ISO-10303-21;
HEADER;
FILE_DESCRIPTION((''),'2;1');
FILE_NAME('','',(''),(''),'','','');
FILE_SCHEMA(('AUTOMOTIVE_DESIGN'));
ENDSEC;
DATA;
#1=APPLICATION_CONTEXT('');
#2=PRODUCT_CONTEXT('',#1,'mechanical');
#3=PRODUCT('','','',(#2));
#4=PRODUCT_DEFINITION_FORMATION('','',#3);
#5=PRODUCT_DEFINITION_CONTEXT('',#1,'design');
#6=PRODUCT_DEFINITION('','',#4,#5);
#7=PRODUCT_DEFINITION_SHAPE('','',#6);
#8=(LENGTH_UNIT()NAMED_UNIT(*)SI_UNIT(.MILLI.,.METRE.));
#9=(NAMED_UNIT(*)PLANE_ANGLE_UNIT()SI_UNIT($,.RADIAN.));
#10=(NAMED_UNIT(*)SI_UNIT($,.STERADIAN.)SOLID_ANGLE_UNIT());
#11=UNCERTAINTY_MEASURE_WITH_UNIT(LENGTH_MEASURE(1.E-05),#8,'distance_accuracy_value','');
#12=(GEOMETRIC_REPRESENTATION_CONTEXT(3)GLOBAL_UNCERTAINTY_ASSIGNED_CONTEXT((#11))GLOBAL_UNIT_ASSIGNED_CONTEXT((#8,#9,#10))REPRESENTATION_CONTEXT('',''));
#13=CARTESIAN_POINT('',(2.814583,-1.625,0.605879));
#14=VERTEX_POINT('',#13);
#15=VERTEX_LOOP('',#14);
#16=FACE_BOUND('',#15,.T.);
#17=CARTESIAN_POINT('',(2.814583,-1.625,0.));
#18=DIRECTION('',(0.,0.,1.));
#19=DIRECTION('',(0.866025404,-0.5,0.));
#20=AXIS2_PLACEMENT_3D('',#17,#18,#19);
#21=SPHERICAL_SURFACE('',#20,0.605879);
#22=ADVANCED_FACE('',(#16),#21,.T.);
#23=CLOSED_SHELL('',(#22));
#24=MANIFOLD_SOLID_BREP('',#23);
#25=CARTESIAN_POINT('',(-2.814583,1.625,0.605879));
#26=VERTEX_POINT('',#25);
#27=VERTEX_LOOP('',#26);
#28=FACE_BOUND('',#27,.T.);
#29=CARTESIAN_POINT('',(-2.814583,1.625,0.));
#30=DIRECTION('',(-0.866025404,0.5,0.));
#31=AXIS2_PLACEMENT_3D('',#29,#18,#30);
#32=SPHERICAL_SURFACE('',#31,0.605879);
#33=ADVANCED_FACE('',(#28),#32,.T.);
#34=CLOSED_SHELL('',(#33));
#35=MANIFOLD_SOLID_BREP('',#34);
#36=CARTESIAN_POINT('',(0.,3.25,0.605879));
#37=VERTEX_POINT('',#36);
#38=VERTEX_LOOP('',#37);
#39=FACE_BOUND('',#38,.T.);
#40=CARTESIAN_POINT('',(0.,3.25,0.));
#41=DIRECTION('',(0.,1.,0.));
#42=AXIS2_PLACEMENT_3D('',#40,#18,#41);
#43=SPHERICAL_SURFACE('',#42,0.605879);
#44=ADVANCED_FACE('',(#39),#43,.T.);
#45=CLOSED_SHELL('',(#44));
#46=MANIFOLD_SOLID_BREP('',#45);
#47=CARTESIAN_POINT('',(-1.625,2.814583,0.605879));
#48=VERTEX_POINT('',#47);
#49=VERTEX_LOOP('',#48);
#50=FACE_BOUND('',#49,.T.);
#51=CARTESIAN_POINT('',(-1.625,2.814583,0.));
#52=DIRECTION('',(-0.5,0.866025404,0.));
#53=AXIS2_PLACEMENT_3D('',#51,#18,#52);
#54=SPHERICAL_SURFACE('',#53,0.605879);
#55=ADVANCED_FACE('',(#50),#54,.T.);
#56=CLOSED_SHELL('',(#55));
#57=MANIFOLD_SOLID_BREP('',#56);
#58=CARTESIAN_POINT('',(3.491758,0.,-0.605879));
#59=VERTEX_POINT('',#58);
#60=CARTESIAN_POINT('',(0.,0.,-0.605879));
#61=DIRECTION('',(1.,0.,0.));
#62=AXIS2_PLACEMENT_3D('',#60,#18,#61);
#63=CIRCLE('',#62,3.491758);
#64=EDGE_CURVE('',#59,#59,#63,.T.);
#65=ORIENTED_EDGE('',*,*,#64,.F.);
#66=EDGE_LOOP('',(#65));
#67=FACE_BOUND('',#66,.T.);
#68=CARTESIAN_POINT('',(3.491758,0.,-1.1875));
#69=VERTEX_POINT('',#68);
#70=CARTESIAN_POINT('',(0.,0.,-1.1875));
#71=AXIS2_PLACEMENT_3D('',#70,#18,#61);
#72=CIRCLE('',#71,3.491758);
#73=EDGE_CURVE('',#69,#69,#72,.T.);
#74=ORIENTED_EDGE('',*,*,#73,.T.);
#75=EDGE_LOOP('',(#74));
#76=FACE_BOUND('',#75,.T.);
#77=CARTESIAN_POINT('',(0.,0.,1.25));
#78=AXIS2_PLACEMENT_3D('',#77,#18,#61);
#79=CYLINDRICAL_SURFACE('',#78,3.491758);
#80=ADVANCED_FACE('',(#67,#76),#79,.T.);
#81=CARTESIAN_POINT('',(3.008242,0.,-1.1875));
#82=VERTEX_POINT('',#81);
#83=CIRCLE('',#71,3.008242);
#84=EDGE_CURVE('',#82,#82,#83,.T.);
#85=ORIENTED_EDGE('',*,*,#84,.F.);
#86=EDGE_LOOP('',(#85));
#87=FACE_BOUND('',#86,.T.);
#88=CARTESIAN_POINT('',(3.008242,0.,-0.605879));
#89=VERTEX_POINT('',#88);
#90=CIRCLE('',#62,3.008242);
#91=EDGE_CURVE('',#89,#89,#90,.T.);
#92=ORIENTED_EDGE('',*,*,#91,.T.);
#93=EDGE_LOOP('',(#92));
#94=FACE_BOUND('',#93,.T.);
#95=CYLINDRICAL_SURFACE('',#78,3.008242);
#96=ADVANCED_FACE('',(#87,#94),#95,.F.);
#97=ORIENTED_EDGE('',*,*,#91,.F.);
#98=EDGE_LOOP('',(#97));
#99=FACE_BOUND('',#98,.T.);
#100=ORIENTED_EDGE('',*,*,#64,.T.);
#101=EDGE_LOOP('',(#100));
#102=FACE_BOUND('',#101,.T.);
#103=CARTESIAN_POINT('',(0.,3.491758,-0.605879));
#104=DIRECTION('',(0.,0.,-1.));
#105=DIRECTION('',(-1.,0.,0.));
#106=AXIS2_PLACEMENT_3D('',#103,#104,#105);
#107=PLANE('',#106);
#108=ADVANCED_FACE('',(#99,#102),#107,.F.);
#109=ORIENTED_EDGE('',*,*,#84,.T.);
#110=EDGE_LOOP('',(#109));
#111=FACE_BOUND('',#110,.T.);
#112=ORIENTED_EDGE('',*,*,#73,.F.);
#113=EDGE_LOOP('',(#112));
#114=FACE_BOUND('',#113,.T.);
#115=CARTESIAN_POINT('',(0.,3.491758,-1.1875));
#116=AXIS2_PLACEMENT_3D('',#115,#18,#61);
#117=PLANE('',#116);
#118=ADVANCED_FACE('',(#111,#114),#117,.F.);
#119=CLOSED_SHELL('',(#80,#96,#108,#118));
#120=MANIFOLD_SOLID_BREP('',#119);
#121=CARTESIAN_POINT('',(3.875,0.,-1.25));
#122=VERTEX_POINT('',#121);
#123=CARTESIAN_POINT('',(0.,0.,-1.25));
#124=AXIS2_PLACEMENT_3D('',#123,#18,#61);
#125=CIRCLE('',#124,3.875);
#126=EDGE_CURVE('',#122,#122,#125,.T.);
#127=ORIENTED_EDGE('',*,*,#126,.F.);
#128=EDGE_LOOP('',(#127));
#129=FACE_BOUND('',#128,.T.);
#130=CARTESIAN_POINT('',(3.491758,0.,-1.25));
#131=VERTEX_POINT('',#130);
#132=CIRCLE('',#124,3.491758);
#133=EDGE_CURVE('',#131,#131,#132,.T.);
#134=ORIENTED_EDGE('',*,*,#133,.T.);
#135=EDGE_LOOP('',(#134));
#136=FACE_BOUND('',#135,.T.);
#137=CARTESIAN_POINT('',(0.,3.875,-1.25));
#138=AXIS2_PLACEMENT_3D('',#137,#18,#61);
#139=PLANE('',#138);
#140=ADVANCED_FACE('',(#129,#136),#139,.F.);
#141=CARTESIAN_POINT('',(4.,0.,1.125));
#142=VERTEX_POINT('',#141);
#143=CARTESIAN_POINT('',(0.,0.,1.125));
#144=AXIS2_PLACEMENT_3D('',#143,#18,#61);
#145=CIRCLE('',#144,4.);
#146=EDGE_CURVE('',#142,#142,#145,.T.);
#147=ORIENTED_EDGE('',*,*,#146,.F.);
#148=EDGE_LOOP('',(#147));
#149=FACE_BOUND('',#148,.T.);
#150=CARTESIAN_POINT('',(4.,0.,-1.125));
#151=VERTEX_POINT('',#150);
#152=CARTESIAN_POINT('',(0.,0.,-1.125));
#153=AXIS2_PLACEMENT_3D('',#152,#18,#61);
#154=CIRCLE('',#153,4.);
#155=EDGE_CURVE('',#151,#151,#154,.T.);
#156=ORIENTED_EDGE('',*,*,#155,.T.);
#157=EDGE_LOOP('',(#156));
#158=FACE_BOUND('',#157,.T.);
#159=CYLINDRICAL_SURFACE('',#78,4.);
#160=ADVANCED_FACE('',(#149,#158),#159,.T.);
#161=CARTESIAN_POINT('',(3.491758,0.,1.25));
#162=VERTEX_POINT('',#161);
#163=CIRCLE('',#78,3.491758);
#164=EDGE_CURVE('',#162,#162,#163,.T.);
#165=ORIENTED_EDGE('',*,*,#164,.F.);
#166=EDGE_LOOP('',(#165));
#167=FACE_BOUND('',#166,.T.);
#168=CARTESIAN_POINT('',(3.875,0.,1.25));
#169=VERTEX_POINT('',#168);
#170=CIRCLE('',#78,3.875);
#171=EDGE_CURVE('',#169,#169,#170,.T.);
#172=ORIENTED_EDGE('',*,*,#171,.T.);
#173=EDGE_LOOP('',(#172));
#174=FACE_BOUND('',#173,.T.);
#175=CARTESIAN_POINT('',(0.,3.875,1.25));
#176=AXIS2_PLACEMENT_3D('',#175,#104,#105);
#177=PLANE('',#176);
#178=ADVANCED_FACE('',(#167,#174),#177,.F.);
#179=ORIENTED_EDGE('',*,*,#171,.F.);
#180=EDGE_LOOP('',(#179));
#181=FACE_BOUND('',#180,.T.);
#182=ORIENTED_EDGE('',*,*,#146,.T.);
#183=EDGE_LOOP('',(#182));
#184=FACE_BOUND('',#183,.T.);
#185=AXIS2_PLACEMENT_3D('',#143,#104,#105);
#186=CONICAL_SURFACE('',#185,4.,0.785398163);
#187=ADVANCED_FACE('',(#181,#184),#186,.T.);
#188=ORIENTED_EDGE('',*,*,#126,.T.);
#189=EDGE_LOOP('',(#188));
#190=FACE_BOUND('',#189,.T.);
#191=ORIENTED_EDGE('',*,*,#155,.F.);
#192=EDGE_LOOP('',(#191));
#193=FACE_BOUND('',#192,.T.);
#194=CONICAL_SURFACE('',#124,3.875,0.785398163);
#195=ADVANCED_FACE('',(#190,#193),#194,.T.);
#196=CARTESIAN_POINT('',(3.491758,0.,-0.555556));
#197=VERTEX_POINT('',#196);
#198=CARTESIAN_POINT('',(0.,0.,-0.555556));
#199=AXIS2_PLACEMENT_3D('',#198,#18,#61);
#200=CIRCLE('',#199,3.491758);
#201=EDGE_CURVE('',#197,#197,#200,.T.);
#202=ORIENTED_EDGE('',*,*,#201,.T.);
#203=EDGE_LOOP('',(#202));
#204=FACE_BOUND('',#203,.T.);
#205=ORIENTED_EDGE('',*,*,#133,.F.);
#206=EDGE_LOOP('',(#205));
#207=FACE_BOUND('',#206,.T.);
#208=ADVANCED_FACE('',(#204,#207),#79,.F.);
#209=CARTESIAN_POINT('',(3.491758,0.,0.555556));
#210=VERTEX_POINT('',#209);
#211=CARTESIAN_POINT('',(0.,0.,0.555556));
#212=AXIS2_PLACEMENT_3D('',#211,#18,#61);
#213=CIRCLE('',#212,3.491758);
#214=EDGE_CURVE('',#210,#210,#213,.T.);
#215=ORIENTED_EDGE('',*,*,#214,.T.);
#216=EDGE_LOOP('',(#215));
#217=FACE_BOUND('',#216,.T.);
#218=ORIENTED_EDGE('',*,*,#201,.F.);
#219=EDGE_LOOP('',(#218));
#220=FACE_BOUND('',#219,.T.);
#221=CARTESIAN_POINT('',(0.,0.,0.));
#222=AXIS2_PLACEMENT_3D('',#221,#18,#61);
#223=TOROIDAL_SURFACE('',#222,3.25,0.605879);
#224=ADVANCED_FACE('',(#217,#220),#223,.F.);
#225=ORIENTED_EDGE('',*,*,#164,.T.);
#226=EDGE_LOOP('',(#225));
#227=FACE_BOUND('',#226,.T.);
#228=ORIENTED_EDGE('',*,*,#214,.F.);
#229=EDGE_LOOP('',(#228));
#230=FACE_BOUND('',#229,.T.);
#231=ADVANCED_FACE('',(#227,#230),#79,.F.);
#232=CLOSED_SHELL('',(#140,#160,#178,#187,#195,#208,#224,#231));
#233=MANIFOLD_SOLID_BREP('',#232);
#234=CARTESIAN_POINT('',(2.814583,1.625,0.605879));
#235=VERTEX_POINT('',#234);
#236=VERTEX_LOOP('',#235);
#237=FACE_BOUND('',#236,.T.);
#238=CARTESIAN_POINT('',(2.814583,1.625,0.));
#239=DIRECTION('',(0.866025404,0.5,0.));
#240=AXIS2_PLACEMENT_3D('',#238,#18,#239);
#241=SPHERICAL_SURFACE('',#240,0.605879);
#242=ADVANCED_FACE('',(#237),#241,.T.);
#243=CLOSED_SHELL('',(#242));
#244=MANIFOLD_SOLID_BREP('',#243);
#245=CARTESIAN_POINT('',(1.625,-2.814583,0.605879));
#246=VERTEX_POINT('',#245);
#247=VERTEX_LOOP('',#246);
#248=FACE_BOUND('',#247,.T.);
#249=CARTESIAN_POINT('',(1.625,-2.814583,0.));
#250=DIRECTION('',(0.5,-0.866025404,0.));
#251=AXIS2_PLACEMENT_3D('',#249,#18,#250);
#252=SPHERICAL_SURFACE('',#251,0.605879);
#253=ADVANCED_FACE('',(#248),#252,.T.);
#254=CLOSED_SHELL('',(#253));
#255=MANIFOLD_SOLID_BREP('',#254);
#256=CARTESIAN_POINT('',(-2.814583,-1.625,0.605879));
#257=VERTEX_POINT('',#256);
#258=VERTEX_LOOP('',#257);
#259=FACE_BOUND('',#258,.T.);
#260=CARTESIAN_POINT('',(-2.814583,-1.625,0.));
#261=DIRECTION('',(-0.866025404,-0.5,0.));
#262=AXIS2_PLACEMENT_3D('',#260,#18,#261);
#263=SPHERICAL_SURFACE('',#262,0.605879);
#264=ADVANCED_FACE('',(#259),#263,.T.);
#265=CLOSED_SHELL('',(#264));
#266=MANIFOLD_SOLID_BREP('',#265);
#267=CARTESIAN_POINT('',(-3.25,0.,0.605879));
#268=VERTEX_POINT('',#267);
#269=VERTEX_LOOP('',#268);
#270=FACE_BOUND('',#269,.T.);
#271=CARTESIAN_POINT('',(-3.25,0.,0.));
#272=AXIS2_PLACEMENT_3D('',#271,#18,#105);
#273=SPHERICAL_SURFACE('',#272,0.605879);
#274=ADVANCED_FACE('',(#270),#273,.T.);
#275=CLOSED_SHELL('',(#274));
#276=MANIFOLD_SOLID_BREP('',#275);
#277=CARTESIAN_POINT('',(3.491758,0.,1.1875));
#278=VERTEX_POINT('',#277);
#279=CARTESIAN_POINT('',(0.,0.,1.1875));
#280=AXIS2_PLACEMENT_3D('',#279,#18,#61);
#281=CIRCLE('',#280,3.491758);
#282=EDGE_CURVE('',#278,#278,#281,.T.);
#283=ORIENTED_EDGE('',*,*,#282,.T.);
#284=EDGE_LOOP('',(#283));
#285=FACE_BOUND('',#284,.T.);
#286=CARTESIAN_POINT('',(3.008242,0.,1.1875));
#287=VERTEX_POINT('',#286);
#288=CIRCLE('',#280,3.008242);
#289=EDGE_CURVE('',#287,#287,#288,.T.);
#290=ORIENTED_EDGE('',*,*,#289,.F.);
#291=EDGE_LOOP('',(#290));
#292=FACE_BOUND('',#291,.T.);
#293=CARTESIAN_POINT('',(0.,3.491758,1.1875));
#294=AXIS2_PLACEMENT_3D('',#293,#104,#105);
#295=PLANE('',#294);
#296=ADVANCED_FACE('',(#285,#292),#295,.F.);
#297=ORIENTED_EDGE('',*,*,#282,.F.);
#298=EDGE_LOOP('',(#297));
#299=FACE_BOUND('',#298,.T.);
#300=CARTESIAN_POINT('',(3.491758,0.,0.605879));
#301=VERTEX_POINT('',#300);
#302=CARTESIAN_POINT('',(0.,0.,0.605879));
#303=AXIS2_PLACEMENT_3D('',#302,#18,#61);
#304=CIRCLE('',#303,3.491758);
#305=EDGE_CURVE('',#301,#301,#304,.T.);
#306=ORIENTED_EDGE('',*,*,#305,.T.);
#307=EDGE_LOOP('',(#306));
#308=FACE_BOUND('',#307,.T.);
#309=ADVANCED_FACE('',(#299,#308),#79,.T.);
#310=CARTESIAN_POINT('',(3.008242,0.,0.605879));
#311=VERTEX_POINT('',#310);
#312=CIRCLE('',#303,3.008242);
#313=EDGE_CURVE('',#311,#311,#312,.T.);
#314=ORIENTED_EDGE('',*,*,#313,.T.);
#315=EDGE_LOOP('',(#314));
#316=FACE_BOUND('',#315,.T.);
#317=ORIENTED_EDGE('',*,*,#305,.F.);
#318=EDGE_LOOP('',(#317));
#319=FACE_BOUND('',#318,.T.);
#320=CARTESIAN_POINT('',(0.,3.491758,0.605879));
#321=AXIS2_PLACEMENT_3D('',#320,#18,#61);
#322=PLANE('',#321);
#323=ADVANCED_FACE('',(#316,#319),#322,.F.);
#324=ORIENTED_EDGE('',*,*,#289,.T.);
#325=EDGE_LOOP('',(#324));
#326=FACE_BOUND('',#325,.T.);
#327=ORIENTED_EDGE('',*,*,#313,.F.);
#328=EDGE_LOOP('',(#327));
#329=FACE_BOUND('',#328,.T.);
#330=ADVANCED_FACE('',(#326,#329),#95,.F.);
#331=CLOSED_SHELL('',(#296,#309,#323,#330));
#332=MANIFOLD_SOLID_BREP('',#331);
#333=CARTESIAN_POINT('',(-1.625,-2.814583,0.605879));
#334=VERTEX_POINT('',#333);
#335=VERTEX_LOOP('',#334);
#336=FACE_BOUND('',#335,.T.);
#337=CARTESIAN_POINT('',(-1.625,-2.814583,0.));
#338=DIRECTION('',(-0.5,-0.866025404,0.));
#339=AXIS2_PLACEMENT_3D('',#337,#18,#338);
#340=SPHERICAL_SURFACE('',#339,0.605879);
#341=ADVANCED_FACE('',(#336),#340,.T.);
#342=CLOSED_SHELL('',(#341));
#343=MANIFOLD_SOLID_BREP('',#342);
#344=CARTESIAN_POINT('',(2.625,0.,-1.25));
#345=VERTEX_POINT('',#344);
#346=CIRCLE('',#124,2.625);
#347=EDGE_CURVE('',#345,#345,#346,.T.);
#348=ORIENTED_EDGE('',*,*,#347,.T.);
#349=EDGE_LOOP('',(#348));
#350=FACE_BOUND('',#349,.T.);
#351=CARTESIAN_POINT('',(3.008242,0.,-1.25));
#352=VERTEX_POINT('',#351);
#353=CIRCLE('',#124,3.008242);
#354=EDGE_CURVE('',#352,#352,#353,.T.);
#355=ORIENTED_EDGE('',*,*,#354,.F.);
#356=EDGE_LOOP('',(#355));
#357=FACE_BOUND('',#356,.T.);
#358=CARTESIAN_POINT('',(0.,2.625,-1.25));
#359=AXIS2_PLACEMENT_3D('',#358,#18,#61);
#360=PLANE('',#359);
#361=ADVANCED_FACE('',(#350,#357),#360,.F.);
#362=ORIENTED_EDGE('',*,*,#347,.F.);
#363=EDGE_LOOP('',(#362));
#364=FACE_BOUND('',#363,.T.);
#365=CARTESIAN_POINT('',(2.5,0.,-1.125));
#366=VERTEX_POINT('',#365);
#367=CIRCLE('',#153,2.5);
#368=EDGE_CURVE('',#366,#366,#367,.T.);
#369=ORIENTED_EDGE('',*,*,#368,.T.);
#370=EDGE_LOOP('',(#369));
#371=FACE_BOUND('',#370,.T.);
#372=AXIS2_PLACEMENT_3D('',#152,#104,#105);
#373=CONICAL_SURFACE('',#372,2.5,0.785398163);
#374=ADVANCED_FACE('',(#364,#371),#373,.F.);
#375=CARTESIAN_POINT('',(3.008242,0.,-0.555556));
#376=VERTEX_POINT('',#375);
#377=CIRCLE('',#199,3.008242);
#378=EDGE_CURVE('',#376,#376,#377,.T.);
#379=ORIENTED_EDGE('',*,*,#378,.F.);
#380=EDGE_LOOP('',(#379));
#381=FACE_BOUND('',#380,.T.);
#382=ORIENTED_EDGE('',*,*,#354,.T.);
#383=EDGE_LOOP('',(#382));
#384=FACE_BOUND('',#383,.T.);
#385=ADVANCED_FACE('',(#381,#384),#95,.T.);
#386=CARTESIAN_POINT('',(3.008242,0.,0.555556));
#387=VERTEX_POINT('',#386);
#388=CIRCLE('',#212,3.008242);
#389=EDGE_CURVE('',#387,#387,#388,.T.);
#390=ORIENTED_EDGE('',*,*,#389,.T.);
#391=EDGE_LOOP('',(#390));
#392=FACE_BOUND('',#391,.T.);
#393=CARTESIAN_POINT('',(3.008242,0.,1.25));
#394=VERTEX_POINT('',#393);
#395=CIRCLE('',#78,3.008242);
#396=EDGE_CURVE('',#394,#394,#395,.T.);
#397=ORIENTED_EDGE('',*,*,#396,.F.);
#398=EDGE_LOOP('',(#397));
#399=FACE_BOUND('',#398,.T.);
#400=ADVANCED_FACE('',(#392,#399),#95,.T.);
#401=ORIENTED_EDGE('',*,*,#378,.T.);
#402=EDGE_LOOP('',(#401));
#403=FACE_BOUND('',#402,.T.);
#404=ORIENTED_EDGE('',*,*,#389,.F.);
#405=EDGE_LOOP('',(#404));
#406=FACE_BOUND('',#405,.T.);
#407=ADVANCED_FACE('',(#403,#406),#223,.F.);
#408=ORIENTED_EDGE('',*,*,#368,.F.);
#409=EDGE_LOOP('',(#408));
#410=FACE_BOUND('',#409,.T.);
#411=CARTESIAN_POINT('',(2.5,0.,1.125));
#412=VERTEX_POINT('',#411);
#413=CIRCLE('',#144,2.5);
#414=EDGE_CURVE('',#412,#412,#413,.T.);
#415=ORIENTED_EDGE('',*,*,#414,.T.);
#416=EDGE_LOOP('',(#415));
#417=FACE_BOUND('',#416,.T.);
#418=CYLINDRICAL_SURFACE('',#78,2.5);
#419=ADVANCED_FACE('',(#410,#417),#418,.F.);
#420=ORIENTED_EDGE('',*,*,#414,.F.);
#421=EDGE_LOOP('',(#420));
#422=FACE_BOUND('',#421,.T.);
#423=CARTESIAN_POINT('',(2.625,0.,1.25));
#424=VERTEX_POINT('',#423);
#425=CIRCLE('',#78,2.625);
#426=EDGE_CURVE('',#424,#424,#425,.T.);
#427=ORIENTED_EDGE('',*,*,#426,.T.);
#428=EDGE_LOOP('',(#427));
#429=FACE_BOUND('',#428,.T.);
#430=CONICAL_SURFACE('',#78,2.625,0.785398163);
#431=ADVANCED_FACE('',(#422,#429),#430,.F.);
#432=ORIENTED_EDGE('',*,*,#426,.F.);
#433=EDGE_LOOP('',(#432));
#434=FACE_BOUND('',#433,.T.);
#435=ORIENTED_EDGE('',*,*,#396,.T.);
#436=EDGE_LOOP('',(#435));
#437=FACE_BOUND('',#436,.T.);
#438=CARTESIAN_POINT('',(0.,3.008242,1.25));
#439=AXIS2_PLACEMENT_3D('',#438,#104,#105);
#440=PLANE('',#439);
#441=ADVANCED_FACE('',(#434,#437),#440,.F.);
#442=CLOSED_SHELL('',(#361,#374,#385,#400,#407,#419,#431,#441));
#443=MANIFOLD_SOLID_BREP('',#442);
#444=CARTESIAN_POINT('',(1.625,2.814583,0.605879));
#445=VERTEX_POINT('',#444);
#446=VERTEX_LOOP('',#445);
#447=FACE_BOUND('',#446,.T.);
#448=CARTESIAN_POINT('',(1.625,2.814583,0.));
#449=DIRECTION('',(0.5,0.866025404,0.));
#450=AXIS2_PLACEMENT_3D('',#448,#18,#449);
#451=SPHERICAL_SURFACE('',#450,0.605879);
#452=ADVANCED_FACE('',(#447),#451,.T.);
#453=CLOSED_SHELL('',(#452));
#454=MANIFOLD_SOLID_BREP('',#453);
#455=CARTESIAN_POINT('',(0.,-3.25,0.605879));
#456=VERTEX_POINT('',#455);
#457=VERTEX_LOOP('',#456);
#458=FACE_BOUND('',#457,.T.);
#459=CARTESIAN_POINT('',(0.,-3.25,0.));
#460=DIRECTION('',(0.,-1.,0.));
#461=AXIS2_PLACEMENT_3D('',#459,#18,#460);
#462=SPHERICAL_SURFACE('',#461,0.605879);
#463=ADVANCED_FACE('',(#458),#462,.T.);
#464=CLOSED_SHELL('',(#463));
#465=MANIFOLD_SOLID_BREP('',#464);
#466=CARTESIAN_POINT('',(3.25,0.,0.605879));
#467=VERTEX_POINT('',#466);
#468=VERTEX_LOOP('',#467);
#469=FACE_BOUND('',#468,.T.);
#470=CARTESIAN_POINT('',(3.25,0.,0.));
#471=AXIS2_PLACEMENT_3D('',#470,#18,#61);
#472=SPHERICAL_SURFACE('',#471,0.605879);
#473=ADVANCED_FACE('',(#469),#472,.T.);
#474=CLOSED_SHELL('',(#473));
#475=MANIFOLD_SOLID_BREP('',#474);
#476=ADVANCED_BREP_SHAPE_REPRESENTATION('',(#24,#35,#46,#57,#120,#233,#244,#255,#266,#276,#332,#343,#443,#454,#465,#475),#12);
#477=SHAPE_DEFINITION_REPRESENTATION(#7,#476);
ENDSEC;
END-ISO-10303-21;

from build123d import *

# Parameters (mm, degrees)
CIRPATTERN1_COUNT = 12
SKETCH5_W         = 0.58162128
SKETCH5_H         = 0.483516484


with BuildPart() as part:
    # Sketch1 → Revolve1 (revolve)
    with BuildSketch(Plane(origin=(0, 0, 0), x_dir=(0, 0, -1), z_dir=(1, 0, 0))):
        with BuildLine():
            Line((1.125, 4), (-1.125, 4))
            Line((-1.125, 4), (-1.25, 3.875))
            Line((-1.25, 3.875), (-1.25, 3.491758242))
            Line((-1.25, 3.491758242), (-0.555555556, 3.491758242))
            ThreePointArc((-0.555555556, 3.491758242), (0, 3.85587872), (0.555555556, 3.491758242))
            Line((0.555555556, 3.491758242), (1.25, 3.491758242))
            Line((1.25, 3.491758242), (1.25, 3.875))
            Line((1.25, 3.875), (1.125, 4))
        make_face()
    revolve(axis=Axis((0, 0, 1.25), (0, 0, -1)))


with BuildPart() as body_2:
    # Sketch3 → Revolve3 (revolve)
    with BuildSketch(Plane(origin=(0, 0, 0), x_dir=(0, 0, -1), z_dir=(1, 0, 0))):
        with BuildLine():
            Line((-1.25, 3.008241758), (-0.555555556, 3.008241758))
            ThreePointArc((-0.555555556, 3.008241758), (0, 2.64412128), (0.555555556, 3.008241758))
            Line((0.555555556, 3.008241758), (1.25, 3.008241758))
            Line((1.25, 3.008241758), (1.25, 2.625))
            Line((1.25, 2.625), (1.125, 2.5))
            Line((1.125, 2.5), (-1.125, 2.5))
            Line((-1.125, 2.5), (-1.25, 2.625))
            Line((-1.25, 2.625), (-1.25, 3.008241758))
        make_face()
    revolve(axis=Axis((0, 0, 1.25), (0, 0, -1)))


with BuildPart() as body_3:
    # Sketch4 → Revolve4 (revolve)
    with BuildSketch(Plane(origin=(0, 0, 0), x_dir=(0, 0, -1), z_dir=(1, 0, 0))):
        with BuildLine():
            Line((-0.60587872, 3.25), (0.60587872, 3.25))
            ThreePointArc((0.60587872, 3.25), (0, 3.85587872), (-0.60587872, 3.25))
        make_face()
    revolve(axis=Axis((0, 3.25, 0.60587872), (0, 0, -1)))


with BuildPart() as cirpattern1_1:
    # CirPattern1: pattern copy
    add(body_3.part.rotate(Axis((0, 0, -1.25), (0, 0, 1)), 1 * 360 / CIRPATTERN1_COUNT))


with BuildPart() as cirpattern1_2:
    # CirPattern1: pattern copy
    add(body_3.part.rotate(Axis((0, 0, -1.25), (0, 0, 1)), 2 * 360 / CIRPATTERN1_COUNT))


with BuildPart() as cirpattern1_3:
    # CirPattern1: pattern copy
    add(body_3.part.rotate(Axis((0, 0, -1.25), (0, 0, 1)), 3 * 360 / CIRPATTERN1_COUNT))


with BuildPart() as cirpattern1_4:
    # CirPattern1: pattern copy
    add(body_3.part.rotate(Axis((0, 0, -1.25), (0, 0, 1)), 4 * 360 / CIRPATTERN1_COUNT))


with BuildPart() as cirpattern1_5:
    # CirPattern1: pattern copy
    add(body_3.part.rotate(Axis((0, 0, -1.25), (0, 0, 1)), 5 * 360 / CIRPATTERN1_COUNT))


with BuildPart() as cirpattern1_6:
    # CirPattern1: pattern copy
    add(body_3.part.rotate(Axis((0, 0, -1.25), (0, 0, 1)), 6 * 360 / CIRPATTERN1_COUNT))


with BuildPart() as cirpattern1_7:
    # CirPattern1: pattern copy
    add(body_3.part.rotate(Axis((0, 0, -1.25), (0, 0, 1)), 7 * 360 / CIRPATTERN1_COUNT))


with BuildPart() as cirpattern1_8:
    # CirPattern1: pattern copy
    add(body_3.part.rotate(Axis((0, 0, -1.25), (0, 0, 1)), 8 * 360 / CIRPATTERN1_COUNT))


with BuildPart() as cirpattern1_9:
    # CirPattern1: pattern copy
    add(body_3.part.rotate(Axis((0, 0, -1.25), (0, 0, 1)), 9 * 360 / CIRPATTERN1_COUNT))


with BuildPart() as cirpattern1_10:
    # CirPattern1: pattern copy
    add(body_3.part.rotate(Axis((0, 0, -1.25), (0, 0, 1)), 10 * 360 / CIRPATTERN1_COUNT))


with BuildPart() as cirpattern1_11:
    # CirPattern1: pattern copy
    add(body_3.part.rotate(Axis((0, 0, -1.25), (0, 0, 1)), 11 * 360 / CIRPATTERN1_COUNT))


with BuildPart() as body_15:
    # Sketch5 → Revolve5 (revolve)
    with BuildSketch(Plane(origin=(0, 0, 0), x_dir=(0, 0, -1), z_dir=(1, 0, 0))):
        with Locations((-0.89668936, 3.25)):
            Rectangle(SKETCH5_W, SKETCH5_H)
        with Locations((0.89668936, 3.25)):
            Rectangle(SKETCH5_W, SKETCH5_H)
    revolve(axis=Axis((0, 0, 1.25), (0, 0, -1)))


solid = Compound([part.part, body_2.part, body_3.part, cirpattern1_1.part, cirpattern1_2.part, cirpattern1_3.part, cirpattern1_4.part, cirpattern1_5.part, cirpattern1_6.part, cirpattern1_7.part, cirpattern1_8.part, cirpattern1_9.part, cirpattern1_10.part, cirpattern1_11.part, body_15.part])
